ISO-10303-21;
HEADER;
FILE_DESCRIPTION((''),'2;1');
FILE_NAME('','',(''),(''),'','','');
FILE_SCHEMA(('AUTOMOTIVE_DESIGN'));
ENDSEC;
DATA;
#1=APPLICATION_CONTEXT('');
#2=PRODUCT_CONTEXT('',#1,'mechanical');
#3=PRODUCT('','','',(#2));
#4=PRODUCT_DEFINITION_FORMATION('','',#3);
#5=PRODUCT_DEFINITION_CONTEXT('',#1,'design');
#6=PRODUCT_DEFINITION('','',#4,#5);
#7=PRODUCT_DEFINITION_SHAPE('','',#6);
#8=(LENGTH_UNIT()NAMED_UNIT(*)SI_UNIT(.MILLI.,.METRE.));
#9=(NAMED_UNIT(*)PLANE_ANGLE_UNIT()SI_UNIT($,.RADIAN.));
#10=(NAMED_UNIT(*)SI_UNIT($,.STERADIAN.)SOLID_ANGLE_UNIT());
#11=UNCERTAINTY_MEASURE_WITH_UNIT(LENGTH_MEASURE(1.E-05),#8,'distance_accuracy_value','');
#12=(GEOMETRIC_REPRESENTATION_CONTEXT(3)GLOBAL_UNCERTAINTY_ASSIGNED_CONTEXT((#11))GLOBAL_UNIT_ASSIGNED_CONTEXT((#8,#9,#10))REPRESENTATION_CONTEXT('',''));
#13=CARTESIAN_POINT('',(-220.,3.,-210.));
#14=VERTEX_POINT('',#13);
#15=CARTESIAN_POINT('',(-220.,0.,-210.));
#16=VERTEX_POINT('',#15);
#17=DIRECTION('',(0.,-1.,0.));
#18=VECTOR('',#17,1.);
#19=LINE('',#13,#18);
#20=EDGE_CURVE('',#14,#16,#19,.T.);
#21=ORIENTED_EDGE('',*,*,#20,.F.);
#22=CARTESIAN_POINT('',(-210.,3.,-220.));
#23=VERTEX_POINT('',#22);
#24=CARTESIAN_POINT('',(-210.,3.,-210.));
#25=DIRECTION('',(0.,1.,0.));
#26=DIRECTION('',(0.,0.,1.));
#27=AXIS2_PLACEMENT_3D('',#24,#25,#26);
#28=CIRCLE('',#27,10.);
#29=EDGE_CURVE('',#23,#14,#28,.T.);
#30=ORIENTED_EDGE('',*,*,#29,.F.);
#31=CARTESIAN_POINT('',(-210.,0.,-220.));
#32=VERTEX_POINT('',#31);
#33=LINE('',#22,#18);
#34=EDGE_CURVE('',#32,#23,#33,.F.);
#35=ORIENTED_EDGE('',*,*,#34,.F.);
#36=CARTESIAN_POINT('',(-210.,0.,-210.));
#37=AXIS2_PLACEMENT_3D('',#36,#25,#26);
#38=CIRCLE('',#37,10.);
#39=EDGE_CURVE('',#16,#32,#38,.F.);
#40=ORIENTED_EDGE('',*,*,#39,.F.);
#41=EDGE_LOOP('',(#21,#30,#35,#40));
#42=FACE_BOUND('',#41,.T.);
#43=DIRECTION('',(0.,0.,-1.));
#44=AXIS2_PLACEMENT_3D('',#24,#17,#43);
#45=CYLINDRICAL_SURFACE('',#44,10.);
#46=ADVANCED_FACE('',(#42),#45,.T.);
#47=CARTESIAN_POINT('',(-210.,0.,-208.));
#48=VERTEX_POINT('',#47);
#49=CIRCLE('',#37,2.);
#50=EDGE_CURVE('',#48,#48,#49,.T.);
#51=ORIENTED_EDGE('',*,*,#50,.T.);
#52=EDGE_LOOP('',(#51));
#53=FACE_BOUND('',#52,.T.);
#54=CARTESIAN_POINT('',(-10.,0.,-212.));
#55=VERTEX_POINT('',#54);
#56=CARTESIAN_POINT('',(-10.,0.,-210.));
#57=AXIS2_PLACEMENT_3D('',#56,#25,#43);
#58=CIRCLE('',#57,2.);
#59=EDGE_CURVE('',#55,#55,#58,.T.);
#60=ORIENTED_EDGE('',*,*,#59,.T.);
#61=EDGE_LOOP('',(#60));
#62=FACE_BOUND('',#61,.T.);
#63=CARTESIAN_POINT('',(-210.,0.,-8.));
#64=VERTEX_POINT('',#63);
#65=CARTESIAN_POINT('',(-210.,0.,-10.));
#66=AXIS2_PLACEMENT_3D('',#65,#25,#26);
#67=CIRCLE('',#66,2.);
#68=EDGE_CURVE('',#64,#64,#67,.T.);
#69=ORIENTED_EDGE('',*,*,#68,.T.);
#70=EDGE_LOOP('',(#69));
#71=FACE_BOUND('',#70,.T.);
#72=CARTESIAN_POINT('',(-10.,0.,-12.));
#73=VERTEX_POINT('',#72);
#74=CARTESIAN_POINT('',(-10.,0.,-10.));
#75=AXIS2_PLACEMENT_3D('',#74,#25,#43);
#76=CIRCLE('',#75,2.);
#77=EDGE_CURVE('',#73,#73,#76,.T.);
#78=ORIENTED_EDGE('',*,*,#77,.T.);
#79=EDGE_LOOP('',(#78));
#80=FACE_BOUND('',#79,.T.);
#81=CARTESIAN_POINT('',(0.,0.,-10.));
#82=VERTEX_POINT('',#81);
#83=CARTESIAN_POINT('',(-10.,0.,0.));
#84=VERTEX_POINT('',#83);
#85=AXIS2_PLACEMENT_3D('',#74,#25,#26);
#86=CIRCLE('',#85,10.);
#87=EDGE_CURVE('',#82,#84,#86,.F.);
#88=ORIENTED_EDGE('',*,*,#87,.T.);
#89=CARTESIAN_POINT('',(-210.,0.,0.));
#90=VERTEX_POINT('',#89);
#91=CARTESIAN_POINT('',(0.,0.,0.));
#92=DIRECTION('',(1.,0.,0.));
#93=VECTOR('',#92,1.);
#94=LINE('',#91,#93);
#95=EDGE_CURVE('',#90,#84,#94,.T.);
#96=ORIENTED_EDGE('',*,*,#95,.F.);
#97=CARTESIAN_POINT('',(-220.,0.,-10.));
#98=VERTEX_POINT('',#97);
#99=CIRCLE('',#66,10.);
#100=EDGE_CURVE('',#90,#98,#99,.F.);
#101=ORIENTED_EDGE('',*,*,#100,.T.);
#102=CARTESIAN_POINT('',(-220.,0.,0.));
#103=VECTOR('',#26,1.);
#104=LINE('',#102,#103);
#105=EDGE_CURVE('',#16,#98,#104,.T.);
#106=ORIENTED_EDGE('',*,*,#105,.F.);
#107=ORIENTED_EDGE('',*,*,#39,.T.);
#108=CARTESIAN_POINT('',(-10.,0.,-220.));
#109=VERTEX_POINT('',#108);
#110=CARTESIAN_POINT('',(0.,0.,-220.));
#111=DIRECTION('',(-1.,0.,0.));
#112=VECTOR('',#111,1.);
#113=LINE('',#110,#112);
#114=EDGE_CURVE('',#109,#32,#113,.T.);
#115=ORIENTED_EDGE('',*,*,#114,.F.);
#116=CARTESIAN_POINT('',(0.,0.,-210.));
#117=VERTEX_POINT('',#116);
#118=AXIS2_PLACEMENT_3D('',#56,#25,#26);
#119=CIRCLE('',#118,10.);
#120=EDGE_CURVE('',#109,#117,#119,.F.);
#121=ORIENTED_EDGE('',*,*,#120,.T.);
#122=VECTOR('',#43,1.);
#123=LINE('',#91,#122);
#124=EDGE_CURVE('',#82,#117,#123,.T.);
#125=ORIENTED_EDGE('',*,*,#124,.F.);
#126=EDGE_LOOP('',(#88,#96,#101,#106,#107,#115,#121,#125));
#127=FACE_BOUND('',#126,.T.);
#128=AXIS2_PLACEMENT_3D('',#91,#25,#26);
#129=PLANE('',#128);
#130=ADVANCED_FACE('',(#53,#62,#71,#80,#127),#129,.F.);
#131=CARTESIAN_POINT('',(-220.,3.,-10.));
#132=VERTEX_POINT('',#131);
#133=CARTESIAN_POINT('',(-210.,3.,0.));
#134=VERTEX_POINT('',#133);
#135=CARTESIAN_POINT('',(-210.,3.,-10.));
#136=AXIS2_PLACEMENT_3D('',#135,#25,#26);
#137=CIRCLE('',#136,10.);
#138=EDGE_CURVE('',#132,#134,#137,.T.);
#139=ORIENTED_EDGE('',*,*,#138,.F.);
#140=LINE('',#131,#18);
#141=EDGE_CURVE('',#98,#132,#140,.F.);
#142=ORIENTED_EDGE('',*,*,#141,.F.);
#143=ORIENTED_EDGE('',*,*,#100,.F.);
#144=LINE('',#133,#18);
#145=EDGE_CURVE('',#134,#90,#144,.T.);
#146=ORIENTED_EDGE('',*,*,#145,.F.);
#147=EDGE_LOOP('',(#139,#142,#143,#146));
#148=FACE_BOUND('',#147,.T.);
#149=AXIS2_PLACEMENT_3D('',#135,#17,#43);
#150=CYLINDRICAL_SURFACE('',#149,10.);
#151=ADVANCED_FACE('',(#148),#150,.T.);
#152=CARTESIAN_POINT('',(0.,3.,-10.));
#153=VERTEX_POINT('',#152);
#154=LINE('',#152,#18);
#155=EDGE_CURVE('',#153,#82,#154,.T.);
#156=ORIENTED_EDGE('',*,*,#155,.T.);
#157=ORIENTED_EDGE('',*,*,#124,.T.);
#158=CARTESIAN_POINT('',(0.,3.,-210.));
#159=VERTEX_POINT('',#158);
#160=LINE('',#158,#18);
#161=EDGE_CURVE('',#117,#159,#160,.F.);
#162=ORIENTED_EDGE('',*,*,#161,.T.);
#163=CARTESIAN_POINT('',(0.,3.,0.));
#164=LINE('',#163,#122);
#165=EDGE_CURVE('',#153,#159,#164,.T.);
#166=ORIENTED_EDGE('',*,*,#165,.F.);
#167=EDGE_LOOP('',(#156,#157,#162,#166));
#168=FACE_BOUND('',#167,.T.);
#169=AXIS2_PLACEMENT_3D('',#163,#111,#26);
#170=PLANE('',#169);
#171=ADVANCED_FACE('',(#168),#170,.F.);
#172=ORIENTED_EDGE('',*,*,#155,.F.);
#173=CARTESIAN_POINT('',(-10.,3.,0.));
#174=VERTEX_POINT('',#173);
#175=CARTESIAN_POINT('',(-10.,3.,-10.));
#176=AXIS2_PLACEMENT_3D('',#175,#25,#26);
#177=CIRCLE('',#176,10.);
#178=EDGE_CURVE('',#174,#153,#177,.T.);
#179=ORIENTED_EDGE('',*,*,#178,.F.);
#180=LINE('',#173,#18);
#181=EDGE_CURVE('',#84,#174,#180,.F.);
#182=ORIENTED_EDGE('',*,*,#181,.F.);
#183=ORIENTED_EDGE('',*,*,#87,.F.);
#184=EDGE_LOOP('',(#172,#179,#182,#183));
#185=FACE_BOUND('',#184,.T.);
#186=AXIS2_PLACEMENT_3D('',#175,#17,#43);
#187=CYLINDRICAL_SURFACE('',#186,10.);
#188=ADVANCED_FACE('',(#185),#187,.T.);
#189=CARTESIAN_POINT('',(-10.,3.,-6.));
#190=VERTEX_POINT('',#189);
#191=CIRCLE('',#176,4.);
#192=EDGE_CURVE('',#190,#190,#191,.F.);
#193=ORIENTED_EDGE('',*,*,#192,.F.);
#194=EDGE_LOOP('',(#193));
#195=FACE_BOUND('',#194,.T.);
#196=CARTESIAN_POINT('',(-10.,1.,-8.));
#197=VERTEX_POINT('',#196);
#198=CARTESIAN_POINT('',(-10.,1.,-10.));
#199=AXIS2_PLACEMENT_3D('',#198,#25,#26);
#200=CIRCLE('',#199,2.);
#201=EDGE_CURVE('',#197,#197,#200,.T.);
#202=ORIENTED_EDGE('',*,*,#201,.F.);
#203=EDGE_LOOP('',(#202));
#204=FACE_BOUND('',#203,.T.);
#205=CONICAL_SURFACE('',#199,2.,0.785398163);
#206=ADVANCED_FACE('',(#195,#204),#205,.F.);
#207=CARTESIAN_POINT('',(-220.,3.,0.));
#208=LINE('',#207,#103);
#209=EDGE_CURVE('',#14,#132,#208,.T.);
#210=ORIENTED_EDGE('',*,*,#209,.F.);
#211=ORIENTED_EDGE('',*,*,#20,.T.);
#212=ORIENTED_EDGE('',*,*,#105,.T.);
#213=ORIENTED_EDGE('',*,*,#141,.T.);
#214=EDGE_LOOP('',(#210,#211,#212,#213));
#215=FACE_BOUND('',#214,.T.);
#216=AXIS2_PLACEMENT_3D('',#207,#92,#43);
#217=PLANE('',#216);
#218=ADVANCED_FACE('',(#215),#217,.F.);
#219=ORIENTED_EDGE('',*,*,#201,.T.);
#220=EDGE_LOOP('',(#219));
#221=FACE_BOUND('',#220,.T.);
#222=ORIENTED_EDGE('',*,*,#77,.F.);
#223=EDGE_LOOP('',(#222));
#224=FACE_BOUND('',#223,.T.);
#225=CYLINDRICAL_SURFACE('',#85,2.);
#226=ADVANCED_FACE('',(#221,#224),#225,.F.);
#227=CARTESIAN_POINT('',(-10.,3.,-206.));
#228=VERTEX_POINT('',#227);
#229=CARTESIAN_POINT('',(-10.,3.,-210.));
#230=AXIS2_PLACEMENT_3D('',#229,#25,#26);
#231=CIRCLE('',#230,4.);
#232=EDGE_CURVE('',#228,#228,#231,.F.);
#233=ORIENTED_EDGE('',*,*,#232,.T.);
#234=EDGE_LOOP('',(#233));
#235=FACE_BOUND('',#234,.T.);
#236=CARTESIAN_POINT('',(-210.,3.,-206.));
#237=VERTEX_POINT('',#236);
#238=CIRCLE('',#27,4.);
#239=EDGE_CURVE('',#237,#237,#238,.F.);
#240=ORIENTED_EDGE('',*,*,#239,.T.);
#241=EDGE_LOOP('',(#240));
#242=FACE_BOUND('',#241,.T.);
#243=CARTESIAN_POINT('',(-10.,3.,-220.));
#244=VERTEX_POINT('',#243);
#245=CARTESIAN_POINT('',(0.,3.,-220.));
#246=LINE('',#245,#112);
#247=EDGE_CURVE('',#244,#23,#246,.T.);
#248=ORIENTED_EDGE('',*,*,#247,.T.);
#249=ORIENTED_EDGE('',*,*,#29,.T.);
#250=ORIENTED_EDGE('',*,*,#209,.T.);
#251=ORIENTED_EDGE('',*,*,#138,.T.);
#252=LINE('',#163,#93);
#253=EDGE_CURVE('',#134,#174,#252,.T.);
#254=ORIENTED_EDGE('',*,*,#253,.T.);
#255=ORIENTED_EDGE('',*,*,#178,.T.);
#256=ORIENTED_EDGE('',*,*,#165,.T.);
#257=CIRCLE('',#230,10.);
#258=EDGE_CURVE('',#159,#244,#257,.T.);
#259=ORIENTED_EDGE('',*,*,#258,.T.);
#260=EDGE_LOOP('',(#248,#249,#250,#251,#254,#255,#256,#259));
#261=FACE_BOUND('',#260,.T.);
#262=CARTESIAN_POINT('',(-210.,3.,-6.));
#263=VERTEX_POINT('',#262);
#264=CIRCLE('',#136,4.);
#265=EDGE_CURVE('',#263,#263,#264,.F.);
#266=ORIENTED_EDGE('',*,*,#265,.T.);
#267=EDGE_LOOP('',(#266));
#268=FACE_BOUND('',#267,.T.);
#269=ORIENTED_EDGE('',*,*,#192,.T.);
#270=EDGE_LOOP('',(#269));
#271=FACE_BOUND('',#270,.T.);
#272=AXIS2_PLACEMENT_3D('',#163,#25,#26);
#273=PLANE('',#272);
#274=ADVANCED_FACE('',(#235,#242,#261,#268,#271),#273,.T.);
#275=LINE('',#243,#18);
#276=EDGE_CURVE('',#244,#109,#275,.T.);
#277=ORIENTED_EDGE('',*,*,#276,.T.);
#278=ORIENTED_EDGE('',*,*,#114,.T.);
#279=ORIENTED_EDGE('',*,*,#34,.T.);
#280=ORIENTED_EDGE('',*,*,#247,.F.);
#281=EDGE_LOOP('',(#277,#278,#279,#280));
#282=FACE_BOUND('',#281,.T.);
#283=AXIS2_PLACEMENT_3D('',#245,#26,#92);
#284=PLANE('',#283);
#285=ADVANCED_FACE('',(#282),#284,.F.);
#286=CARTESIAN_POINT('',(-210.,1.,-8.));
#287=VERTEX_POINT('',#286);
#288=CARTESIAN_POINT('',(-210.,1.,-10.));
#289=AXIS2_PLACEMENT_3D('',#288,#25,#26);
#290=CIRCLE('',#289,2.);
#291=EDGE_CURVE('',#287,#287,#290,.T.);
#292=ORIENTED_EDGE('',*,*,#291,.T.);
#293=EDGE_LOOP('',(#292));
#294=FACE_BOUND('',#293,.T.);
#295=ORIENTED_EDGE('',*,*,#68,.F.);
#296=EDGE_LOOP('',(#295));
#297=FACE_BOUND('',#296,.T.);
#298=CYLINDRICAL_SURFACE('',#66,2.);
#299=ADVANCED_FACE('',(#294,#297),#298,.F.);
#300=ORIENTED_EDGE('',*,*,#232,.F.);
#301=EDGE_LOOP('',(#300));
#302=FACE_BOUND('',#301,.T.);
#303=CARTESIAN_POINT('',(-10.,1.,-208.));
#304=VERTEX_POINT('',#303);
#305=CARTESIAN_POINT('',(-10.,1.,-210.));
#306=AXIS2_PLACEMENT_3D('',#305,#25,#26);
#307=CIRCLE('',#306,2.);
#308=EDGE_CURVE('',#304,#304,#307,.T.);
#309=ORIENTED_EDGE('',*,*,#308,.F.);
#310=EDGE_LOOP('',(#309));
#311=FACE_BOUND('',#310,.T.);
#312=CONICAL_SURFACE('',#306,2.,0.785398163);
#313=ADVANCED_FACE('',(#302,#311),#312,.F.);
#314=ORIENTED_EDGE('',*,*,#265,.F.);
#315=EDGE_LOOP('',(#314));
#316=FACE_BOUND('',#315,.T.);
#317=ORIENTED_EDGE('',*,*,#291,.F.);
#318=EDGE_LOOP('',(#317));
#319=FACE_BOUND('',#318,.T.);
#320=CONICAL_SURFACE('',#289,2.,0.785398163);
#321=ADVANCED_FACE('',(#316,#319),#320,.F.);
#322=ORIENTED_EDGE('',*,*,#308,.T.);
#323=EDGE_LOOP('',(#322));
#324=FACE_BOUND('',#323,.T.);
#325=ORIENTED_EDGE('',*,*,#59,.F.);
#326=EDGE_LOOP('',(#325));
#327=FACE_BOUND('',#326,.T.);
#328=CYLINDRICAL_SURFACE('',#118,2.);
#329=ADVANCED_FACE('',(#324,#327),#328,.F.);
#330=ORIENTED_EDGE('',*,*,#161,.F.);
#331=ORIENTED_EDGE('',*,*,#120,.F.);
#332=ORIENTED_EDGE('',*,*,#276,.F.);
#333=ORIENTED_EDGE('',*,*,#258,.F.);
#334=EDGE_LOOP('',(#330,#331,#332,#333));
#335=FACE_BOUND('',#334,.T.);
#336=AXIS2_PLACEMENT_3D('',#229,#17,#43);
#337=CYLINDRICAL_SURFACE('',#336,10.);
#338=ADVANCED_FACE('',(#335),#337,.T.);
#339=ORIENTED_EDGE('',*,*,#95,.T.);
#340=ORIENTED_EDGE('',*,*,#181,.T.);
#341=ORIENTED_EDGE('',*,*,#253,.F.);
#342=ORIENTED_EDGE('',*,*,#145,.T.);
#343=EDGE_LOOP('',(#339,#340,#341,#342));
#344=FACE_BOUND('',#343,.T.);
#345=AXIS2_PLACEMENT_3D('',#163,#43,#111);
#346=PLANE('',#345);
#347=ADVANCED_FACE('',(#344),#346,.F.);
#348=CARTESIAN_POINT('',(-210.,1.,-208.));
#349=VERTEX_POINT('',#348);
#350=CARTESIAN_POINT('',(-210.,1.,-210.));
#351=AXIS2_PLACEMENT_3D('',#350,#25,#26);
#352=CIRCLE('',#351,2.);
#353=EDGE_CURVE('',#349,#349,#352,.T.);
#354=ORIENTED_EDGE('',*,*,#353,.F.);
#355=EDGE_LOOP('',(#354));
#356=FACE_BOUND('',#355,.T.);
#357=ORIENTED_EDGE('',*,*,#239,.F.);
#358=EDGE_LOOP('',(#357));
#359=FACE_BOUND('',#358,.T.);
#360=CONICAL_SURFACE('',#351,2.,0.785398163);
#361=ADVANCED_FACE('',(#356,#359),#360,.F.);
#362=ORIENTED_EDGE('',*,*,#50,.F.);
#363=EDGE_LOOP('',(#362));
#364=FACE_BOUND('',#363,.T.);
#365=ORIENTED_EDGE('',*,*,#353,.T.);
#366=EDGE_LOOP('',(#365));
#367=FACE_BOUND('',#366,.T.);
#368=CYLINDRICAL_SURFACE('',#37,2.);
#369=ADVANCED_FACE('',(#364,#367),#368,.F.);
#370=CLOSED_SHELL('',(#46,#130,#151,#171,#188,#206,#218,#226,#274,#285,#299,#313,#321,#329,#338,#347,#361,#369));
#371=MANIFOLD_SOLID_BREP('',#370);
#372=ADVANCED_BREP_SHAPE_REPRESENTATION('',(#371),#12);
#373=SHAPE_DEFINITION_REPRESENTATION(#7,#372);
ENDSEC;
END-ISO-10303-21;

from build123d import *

# Parameters (mm, degrees)
SKETCH1_W           = 220
SKETCH1_H           = 220
BOSS_EXTRUDE1_DEPTH = 3
FILLET1_R           = 10
SKETCH2_R           = 2
CUT_EXTRUDE1_DEPTH  = 3
CHAMFER1_SIZE       = 2


with BuildPart() as part:
    # Sketch1 → Boss-Extrude1 (new body)
    with BuildSketch(Plane(origin=(0, 0, 0), x_dir=(1, 0, 0), z_dir=(0, 1, 0))):
        with Locations((-110, 110)):
            Rectangle(SKETCH1_W, SKETCH1_H)
    extrude(amount=BOSS_EXTRUDE1_DEPTH)

    # Fillet1
    fillet1_edges = [part.edges().sort_by_distance(p)[0] for p in [
        (0, 1.5, 0),
        (-220, 1.5, 0),
        (-220, 1.5, -220),
        (0, 1.5, -220),
    ]]
    fillet(fillet1_edges, radius=FILLET1_R)

    # Sketch2 → Cut-Extrude1 (cut)
    with BuildSketch(Plane(origin=(0, 3, 0), x_dir=(1, 0, 0), z_dir=(0, 1, 0))):
        with Locations(Location((-210, 210, 0), (0, 0, 270))):
            Circle(SKETCH2_R)
        with Locations(Location((-210, 10, 0), (0, 0, 270))):
            Circle(SKETCH2_R)
        with Locations(Location((-10, 10, 0), (0, 0, 90))):
            Circle(SKETCH2_R)
        with Locations(Location((-10, 210, 0), (0, 0, 90))):
            Circle(SKETCH2_R)
    extrude(amount=-CUT_EXTRUDE1_DEPTH, mode=Mode.SUBTRACT)

    # Chamfer1
    chamfer1_edges = [part.edges().sort_by_distance(p)[0] for p in [
        (-10, 3, -208),
        (-10, 3, -8),
        (-210, 3, -12),
        (-210, 3, -212),
    ]]
    chamfer(chamfer1_edges, length=CHAMFER1_SIZE)


solid = part.part
